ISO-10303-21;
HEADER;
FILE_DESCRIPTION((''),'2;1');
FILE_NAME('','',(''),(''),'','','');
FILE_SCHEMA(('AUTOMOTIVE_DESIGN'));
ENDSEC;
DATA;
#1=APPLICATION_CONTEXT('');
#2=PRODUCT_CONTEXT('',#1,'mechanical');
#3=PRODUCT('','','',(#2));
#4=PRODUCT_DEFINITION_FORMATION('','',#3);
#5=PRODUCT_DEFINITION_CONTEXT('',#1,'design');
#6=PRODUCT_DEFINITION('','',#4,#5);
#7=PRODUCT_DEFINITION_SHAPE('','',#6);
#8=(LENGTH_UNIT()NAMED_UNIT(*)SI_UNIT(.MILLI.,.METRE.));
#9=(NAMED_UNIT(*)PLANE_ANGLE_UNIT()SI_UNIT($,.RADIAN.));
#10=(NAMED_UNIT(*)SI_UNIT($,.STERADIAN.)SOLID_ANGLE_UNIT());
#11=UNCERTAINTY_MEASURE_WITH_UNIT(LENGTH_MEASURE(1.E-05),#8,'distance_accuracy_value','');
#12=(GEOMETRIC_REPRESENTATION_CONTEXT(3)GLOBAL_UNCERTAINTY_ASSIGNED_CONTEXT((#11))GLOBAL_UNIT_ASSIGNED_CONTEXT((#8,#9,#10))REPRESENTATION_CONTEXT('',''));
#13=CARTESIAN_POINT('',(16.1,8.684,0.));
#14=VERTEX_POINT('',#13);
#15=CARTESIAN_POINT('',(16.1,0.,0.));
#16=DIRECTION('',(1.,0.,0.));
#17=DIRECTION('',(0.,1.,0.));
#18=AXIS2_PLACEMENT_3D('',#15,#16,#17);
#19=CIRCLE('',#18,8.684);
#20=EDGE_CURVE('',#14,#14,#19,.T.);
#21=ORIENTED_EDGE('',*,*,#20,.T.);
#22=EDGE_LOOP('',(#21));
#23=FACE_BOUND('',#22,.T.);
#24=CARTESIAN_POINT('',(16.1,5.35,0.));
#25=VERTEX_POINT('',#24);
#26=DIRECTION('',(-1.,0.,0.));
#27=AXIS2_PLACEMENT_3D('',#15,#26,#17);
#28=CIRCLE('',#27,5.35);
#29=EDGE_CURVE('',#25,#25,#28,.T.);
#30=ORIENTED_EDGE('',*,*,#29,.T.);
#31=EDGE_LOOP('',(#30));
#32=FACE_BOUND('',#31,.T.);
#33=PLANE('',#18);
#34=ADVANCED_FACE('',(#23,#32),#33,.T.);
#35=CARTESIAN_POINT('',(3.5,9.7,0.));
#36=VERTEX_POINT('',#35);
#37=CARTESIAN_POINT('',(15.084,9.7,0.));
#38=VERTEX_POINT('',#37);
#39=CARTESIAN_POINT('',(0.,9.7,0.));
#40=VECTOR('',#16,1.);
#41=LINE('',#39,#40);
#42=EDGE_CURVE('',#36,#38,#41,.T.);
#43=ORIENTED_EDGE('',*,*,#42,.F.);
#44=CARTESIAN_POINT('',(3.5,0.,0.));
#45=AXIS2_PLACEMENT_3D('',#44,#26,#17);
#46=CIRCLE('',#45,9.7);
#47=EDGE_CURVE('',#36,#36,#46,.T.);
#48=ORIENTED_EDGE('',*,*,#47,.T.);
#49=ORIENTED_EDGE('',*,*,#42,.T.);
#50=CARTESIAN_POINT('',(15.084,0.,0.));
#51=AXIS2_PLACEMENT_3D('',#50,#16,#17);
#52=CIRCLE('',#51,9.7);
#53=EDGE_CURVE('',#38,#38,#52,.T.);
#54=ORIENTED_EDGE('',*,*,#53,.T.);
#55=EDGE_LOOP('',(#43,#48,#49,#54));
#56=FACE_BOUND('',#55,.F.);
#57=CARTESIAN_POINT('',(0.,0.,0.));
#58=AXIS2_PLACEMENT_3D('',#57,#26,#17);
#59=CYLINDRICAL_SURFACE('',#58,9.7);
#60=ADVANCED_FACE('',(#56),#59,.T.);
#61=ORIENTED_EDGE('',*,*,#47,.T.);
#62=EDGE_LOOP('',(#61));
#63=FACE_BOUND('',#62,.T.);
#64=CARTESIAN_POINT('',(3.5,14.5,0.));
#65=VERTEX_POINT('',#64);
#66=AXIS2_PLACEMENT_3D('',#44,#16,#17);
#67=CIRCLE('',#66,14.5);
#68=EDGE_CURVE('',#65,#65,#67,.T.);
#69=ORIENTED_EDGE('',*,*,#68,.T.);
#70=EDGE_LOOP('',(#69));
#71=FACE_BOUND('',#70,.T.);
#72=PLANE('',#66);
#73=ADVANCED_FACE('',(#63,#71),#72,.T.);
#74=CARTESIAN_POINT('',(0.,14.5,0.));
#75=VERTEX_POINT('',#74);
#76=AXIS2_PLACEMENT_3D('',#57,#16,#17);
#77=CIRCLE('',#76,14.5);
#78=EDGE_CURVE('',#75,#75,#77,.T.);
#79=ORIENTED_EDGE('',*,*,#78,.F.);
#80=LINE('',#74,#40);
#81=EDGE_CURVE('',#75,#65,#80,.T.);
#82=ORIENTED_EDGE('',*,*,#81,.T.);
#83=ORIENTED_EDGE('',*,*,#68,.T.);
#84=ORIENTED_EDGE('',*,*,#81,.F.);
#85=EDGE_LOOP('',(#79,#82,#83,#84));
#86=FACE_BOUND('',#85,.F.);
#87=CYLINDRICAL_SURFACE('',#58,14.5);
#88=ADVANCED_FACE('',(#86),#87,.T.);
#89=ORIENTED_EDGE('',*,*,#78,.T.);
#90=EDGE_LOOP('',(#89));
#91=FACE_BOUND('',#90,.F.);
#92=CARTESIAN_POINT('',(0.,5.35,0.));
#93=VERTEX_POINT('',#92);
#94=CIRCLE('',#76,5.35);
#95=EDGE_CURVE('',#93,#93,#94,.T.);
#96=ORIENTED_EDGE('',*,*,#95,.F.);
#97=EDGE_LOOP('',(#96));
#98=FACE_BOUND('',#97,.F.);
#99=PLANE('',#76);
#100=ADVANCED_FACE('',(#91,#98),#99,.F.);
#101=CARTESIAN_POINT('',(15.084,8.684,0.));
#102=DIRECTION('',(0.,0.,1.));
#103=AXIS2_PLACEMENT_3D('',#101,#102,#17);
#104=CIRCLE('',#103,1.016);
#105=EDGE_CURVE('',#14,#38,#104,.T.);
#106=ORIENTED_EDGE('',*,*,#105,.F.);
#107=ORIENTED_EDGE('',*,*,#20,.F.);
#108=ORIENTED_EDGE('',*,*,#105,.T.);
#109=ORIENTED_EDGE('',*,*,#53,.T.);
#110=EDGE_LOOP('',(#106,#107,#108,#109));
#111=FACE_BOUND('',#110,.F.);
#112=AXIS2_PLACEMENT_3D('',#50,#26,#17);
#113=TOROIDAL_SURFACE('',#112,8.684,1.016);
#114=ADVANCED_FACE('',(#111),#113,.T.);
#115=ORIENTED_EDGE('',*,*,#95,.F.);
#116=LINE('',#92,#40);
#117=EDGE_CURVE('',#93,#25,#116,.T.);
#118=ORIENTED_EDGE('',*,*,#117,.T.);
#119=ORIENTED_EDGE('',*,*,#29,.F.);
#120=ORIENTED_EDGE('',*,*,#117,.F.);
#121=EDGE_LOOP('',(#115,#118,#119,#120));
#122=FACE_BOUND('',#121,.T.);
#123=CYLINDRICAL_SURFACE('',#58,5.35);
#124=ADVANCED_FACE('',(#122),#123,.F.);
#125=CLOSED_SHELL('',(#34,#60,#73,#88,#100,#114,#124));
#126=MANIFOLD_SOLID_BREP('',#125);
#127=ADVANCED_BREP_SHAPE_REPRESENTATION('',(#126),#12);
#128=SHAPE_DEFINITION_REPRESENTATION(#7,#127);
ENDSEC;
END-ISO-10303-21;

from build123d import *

# Parameters (mm, degrees)
F0_R     = 14.5
F1_DEPTH = 3.5
F2_R     = 9.7
F3_DEPTH = 16.1
F4_R     = 5.35
F5_DEPTH = 25.4
F6_R     = 1.016


with BuildPart() as f1:
    # F0 (on Right) → F1 (new body)
    with BuildSketch(Plane.YZ):
        Circle(F0_R)
    extrude(amount=F1_DEPTH)

    # F2 (on Right) → F3 (join)
    with BuildSketch(Plane.YZ):
        Circle(F2_R)
    extrude(amount=F3_DEPTH)

    # F4 (on Right) → F5 (cut)
    with BuildSketch(Plane.YZ):
        Circle(F4_R)
    extrude(amount=F5_DEPTH, mode=Mode.SUBTRACT)

    # F6
    f6_edges = [f1.edges().sort_by_distance(p)[0] for p in [
        (16.1, -9.7, 0),
    ]]
    fillet(f6_edges, radius=F6_R)


solid = f1.part
